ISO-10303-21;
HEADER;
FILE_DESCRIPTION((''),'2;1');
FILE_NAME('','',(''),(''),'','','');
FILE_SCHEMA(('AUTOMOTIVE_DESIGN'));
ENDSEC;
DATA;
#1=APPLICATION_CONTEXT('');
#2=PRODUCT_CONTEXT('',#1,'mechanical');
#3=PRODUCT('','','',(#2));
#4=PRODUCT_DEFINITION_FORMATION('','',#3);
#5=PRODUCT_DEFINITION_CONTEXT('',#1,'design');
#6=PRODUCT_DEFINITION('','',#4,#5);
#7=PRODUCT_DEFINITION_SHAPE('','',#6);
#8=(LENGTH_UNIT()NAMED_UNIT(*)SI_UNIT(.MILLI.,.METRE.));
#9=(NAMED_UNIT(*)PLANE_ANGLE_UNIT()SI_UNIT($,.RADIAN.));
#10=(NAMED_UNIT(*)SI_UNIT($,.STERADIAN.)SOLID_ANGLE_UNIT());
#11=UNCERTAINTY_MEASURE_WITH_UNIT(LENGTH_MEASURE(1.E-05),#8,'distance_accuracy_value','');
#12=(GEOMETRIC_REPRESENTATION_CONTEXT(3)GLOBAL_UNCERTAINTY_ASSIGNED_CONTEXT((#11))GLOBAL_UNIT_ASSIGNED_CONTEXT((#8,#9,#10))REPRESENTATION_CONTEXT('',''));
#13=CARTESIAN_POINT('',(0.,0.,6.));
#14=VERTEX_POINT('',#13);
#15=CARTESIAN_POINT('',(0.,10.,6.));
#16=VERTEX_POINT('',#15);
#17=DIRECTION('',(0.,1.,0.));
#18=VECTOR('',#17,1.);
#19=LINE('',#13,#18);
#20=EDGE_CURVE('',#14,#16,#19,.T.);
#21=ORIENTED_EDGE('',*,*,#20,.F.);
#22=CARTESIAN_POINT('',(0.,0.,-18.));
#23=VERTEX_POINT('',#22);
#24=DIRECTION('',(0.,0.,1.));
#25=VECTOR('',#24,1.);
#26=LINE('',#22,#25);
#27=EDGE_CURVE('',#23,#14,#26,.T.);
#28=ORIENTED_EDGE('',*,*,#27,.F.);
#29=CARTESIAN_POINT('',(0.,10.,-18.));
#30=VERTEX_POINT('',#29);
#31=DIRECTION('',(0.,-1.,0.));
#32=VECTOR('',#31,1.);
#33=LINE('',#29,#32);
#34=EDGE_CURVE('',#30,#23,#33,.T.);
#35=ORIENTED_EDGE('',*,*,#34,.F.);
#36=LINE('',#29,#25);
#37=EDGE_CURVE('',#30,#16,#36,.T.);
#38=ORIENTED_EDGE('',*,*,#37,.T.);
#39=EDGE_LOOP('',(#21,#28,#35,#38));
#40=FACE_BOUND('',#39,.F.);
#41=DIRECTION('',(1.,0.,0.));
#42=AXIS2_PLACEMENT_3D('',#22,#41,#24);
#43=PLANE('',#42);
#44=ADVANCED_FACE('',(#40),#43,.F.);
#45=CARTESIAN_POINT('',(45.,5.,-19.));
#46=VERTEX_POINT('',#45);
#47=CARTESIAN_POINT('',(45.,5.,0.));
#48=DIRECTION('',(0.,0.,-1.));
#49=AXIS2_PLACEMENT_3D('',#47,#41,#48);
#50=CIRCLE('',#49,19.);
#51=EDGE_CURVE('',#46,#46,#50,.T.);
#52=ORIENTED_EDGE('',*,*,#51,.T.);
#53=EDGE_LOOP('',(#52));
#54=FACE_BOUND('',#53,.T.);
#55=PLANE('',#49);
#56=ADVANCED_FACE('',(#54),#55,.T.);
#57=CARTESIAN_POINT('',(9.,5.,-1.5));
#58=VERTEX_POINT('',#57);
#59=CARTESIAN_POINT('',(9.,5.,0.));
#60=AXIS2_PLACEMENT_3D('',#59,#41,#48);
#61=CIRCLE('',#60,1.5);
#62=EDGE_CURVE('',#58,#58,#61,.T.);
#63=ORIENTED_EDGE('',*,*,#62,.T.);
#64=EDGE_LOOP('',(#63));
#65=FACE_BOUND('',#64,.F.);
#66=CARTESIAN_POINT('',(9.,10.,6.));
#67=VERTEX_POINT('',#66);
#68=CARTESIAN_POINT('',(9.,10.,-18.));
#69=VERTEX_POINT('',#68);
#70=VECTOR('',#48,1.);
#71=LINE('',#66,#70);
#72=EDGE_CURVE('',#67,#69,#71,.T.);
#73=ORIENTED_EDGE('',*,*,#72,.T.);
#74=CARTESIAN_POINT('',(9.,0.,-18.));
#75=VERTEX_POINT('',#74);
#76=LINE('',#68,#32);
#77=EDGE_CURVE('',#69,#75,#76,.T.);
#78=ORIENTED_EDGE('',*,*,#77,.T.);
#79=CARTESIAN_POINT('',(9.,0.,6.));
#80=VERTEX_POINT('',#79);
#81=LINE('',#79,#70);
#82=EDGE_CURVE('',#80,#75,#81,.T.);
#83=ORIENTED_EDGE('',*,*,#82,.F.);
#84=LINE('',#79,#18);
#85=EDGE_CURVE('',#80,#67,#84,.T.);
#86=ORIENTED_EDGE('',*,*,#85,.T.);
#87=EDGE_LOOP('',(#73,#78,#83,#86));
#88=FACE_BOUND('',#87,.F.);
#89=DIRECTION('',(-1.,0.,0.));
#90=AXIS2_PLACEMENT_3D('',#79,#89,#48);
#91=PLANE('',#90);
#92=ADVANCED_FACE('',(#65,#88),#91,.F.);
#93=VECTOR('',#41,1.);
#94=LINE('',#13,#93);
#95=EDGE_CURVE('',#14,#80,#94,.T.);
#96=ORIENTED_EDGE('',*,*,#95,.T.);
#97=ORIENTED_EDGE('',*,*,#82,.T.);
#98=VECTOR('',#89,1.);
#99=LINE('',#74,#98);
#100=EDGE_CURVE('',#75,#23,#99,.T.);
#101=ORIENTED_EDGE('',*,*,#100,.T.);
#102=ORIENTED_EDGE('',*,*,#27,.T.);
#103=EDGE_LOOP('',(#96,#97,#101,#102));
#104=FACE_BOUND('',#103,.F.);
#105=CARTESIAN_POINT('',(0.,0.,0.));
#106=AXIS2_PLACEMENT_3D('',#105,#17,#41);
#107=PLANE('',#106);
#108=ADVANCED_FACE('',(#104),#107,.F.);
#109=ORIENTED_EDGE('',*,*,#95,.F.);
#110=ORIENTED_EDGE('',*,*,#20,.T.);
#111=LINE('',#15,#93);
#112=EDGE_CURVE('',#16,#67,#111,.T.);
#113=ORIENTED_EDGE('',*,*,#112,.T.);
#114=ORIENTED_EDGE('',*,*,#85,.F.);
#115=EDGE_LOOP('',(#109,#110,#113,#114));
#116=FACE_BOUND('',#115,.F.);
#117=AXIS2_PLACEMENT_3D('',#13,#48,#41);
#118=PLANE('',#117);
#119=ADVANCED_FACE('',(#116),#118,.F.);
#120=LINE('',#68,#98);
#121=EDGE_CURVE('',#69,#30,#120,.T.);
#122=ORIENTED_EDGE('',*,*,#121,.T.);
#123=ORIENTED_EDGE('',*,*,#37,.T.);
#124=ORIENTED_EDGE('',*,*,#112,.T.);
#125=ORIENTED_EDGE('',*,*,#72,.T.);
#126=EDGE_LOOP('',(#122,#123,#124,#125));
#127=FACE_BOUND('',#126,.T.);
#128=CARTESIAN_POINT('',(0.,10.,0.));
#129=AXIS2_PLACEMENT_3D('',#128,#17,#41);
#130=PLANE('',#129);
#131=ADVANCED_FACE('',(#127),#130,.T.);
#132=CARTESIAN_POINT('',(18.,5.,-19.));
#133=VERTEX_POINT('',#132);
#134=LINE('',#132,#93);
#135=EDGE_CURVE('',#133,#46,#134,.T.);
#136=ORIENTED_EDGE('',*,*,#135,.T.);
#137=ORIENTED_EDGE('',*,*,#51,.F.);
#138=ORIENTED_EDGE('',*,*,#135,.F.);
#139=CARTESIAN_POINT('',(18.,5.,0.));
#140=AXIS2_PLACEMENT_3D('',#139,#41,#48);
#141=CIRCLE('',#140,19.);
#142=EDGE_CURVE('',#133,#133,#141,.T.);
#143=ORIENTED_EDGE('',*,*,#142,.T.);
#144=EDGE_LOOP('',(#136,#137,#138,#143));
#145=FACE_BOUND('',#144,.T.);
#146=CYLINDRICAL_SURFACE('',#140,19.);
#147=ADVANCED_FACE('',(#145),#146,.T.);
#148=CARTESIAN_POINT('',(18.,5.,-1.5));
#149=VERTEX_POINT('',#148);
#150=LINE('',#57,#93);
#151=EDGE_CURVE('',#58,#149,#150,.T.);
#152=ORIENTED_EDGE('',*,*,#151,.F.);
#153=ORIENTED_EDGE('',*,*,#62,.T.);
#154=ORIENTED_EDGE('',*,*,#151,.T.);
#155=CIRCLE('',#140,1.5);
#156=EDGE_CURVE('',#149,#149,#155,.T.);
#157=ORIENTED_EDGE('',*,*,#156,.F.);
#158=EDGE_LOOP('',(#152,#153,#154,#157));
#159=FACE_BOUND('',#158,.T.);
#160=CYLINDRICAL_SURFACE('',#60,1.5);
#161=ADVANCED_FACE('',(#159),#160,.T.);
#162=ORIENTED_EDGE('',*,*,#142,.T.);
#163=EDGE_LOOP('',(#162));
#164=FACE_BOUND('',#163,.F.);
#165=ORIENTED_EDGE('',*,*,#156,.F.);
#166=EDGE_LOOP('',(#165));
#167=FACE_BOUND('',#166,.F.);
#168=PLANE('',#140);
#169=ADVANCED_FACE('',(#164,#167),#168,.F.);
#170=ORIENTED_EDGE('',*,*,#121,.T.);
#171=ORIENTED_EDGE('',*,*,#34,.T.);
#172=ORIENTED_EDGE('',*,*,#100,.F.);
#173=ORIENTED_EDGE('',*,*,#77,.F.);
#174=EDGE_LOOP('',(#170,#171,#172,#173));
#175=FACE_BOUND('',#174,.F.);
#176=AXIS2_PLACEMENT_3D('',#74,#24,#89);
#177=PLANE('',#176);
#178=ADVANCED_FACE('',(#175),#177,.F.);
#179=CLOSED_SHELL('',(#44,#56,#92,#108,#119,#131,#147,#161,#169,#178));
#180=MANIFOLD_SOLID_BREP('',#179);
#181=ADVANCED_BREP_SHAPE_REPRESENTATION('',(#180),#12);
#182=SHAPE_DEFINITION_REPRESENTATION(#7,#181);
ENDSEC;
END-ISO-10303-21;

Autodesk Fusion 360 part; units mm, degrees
sketch "草图1" plane through (0, 0, 0) normal (0, 1, 0) x (1, 0, 0)
  line L0 (0, -6) -> (9, -6)
  line L1 (9, -6) -> (9, 18)
  line L2 (9, 18) -> (0, 18)
  line L3 (0, 18) -> (0, -6)
extrude "拉伸1" add sketch "草图1" along normal blind 5 and the other way blind 0
extrude "拉伸2" add 1 faces at (3, 5, -10) along direction (0, 1, 0) blind 5
cylinder "圆柱体基本要素1" add diameter 3 height 9 placed x (0, 0, -1) y (0, 1, 0) z (1, 0, 0) at (9, 5, 0)
cylinder "圆柱体基本要素2" add diameter 38 height 27 placed x (0, 0, -1) y (0, 1, 0) z (1, 0, 0) at (18, 5, 0)
